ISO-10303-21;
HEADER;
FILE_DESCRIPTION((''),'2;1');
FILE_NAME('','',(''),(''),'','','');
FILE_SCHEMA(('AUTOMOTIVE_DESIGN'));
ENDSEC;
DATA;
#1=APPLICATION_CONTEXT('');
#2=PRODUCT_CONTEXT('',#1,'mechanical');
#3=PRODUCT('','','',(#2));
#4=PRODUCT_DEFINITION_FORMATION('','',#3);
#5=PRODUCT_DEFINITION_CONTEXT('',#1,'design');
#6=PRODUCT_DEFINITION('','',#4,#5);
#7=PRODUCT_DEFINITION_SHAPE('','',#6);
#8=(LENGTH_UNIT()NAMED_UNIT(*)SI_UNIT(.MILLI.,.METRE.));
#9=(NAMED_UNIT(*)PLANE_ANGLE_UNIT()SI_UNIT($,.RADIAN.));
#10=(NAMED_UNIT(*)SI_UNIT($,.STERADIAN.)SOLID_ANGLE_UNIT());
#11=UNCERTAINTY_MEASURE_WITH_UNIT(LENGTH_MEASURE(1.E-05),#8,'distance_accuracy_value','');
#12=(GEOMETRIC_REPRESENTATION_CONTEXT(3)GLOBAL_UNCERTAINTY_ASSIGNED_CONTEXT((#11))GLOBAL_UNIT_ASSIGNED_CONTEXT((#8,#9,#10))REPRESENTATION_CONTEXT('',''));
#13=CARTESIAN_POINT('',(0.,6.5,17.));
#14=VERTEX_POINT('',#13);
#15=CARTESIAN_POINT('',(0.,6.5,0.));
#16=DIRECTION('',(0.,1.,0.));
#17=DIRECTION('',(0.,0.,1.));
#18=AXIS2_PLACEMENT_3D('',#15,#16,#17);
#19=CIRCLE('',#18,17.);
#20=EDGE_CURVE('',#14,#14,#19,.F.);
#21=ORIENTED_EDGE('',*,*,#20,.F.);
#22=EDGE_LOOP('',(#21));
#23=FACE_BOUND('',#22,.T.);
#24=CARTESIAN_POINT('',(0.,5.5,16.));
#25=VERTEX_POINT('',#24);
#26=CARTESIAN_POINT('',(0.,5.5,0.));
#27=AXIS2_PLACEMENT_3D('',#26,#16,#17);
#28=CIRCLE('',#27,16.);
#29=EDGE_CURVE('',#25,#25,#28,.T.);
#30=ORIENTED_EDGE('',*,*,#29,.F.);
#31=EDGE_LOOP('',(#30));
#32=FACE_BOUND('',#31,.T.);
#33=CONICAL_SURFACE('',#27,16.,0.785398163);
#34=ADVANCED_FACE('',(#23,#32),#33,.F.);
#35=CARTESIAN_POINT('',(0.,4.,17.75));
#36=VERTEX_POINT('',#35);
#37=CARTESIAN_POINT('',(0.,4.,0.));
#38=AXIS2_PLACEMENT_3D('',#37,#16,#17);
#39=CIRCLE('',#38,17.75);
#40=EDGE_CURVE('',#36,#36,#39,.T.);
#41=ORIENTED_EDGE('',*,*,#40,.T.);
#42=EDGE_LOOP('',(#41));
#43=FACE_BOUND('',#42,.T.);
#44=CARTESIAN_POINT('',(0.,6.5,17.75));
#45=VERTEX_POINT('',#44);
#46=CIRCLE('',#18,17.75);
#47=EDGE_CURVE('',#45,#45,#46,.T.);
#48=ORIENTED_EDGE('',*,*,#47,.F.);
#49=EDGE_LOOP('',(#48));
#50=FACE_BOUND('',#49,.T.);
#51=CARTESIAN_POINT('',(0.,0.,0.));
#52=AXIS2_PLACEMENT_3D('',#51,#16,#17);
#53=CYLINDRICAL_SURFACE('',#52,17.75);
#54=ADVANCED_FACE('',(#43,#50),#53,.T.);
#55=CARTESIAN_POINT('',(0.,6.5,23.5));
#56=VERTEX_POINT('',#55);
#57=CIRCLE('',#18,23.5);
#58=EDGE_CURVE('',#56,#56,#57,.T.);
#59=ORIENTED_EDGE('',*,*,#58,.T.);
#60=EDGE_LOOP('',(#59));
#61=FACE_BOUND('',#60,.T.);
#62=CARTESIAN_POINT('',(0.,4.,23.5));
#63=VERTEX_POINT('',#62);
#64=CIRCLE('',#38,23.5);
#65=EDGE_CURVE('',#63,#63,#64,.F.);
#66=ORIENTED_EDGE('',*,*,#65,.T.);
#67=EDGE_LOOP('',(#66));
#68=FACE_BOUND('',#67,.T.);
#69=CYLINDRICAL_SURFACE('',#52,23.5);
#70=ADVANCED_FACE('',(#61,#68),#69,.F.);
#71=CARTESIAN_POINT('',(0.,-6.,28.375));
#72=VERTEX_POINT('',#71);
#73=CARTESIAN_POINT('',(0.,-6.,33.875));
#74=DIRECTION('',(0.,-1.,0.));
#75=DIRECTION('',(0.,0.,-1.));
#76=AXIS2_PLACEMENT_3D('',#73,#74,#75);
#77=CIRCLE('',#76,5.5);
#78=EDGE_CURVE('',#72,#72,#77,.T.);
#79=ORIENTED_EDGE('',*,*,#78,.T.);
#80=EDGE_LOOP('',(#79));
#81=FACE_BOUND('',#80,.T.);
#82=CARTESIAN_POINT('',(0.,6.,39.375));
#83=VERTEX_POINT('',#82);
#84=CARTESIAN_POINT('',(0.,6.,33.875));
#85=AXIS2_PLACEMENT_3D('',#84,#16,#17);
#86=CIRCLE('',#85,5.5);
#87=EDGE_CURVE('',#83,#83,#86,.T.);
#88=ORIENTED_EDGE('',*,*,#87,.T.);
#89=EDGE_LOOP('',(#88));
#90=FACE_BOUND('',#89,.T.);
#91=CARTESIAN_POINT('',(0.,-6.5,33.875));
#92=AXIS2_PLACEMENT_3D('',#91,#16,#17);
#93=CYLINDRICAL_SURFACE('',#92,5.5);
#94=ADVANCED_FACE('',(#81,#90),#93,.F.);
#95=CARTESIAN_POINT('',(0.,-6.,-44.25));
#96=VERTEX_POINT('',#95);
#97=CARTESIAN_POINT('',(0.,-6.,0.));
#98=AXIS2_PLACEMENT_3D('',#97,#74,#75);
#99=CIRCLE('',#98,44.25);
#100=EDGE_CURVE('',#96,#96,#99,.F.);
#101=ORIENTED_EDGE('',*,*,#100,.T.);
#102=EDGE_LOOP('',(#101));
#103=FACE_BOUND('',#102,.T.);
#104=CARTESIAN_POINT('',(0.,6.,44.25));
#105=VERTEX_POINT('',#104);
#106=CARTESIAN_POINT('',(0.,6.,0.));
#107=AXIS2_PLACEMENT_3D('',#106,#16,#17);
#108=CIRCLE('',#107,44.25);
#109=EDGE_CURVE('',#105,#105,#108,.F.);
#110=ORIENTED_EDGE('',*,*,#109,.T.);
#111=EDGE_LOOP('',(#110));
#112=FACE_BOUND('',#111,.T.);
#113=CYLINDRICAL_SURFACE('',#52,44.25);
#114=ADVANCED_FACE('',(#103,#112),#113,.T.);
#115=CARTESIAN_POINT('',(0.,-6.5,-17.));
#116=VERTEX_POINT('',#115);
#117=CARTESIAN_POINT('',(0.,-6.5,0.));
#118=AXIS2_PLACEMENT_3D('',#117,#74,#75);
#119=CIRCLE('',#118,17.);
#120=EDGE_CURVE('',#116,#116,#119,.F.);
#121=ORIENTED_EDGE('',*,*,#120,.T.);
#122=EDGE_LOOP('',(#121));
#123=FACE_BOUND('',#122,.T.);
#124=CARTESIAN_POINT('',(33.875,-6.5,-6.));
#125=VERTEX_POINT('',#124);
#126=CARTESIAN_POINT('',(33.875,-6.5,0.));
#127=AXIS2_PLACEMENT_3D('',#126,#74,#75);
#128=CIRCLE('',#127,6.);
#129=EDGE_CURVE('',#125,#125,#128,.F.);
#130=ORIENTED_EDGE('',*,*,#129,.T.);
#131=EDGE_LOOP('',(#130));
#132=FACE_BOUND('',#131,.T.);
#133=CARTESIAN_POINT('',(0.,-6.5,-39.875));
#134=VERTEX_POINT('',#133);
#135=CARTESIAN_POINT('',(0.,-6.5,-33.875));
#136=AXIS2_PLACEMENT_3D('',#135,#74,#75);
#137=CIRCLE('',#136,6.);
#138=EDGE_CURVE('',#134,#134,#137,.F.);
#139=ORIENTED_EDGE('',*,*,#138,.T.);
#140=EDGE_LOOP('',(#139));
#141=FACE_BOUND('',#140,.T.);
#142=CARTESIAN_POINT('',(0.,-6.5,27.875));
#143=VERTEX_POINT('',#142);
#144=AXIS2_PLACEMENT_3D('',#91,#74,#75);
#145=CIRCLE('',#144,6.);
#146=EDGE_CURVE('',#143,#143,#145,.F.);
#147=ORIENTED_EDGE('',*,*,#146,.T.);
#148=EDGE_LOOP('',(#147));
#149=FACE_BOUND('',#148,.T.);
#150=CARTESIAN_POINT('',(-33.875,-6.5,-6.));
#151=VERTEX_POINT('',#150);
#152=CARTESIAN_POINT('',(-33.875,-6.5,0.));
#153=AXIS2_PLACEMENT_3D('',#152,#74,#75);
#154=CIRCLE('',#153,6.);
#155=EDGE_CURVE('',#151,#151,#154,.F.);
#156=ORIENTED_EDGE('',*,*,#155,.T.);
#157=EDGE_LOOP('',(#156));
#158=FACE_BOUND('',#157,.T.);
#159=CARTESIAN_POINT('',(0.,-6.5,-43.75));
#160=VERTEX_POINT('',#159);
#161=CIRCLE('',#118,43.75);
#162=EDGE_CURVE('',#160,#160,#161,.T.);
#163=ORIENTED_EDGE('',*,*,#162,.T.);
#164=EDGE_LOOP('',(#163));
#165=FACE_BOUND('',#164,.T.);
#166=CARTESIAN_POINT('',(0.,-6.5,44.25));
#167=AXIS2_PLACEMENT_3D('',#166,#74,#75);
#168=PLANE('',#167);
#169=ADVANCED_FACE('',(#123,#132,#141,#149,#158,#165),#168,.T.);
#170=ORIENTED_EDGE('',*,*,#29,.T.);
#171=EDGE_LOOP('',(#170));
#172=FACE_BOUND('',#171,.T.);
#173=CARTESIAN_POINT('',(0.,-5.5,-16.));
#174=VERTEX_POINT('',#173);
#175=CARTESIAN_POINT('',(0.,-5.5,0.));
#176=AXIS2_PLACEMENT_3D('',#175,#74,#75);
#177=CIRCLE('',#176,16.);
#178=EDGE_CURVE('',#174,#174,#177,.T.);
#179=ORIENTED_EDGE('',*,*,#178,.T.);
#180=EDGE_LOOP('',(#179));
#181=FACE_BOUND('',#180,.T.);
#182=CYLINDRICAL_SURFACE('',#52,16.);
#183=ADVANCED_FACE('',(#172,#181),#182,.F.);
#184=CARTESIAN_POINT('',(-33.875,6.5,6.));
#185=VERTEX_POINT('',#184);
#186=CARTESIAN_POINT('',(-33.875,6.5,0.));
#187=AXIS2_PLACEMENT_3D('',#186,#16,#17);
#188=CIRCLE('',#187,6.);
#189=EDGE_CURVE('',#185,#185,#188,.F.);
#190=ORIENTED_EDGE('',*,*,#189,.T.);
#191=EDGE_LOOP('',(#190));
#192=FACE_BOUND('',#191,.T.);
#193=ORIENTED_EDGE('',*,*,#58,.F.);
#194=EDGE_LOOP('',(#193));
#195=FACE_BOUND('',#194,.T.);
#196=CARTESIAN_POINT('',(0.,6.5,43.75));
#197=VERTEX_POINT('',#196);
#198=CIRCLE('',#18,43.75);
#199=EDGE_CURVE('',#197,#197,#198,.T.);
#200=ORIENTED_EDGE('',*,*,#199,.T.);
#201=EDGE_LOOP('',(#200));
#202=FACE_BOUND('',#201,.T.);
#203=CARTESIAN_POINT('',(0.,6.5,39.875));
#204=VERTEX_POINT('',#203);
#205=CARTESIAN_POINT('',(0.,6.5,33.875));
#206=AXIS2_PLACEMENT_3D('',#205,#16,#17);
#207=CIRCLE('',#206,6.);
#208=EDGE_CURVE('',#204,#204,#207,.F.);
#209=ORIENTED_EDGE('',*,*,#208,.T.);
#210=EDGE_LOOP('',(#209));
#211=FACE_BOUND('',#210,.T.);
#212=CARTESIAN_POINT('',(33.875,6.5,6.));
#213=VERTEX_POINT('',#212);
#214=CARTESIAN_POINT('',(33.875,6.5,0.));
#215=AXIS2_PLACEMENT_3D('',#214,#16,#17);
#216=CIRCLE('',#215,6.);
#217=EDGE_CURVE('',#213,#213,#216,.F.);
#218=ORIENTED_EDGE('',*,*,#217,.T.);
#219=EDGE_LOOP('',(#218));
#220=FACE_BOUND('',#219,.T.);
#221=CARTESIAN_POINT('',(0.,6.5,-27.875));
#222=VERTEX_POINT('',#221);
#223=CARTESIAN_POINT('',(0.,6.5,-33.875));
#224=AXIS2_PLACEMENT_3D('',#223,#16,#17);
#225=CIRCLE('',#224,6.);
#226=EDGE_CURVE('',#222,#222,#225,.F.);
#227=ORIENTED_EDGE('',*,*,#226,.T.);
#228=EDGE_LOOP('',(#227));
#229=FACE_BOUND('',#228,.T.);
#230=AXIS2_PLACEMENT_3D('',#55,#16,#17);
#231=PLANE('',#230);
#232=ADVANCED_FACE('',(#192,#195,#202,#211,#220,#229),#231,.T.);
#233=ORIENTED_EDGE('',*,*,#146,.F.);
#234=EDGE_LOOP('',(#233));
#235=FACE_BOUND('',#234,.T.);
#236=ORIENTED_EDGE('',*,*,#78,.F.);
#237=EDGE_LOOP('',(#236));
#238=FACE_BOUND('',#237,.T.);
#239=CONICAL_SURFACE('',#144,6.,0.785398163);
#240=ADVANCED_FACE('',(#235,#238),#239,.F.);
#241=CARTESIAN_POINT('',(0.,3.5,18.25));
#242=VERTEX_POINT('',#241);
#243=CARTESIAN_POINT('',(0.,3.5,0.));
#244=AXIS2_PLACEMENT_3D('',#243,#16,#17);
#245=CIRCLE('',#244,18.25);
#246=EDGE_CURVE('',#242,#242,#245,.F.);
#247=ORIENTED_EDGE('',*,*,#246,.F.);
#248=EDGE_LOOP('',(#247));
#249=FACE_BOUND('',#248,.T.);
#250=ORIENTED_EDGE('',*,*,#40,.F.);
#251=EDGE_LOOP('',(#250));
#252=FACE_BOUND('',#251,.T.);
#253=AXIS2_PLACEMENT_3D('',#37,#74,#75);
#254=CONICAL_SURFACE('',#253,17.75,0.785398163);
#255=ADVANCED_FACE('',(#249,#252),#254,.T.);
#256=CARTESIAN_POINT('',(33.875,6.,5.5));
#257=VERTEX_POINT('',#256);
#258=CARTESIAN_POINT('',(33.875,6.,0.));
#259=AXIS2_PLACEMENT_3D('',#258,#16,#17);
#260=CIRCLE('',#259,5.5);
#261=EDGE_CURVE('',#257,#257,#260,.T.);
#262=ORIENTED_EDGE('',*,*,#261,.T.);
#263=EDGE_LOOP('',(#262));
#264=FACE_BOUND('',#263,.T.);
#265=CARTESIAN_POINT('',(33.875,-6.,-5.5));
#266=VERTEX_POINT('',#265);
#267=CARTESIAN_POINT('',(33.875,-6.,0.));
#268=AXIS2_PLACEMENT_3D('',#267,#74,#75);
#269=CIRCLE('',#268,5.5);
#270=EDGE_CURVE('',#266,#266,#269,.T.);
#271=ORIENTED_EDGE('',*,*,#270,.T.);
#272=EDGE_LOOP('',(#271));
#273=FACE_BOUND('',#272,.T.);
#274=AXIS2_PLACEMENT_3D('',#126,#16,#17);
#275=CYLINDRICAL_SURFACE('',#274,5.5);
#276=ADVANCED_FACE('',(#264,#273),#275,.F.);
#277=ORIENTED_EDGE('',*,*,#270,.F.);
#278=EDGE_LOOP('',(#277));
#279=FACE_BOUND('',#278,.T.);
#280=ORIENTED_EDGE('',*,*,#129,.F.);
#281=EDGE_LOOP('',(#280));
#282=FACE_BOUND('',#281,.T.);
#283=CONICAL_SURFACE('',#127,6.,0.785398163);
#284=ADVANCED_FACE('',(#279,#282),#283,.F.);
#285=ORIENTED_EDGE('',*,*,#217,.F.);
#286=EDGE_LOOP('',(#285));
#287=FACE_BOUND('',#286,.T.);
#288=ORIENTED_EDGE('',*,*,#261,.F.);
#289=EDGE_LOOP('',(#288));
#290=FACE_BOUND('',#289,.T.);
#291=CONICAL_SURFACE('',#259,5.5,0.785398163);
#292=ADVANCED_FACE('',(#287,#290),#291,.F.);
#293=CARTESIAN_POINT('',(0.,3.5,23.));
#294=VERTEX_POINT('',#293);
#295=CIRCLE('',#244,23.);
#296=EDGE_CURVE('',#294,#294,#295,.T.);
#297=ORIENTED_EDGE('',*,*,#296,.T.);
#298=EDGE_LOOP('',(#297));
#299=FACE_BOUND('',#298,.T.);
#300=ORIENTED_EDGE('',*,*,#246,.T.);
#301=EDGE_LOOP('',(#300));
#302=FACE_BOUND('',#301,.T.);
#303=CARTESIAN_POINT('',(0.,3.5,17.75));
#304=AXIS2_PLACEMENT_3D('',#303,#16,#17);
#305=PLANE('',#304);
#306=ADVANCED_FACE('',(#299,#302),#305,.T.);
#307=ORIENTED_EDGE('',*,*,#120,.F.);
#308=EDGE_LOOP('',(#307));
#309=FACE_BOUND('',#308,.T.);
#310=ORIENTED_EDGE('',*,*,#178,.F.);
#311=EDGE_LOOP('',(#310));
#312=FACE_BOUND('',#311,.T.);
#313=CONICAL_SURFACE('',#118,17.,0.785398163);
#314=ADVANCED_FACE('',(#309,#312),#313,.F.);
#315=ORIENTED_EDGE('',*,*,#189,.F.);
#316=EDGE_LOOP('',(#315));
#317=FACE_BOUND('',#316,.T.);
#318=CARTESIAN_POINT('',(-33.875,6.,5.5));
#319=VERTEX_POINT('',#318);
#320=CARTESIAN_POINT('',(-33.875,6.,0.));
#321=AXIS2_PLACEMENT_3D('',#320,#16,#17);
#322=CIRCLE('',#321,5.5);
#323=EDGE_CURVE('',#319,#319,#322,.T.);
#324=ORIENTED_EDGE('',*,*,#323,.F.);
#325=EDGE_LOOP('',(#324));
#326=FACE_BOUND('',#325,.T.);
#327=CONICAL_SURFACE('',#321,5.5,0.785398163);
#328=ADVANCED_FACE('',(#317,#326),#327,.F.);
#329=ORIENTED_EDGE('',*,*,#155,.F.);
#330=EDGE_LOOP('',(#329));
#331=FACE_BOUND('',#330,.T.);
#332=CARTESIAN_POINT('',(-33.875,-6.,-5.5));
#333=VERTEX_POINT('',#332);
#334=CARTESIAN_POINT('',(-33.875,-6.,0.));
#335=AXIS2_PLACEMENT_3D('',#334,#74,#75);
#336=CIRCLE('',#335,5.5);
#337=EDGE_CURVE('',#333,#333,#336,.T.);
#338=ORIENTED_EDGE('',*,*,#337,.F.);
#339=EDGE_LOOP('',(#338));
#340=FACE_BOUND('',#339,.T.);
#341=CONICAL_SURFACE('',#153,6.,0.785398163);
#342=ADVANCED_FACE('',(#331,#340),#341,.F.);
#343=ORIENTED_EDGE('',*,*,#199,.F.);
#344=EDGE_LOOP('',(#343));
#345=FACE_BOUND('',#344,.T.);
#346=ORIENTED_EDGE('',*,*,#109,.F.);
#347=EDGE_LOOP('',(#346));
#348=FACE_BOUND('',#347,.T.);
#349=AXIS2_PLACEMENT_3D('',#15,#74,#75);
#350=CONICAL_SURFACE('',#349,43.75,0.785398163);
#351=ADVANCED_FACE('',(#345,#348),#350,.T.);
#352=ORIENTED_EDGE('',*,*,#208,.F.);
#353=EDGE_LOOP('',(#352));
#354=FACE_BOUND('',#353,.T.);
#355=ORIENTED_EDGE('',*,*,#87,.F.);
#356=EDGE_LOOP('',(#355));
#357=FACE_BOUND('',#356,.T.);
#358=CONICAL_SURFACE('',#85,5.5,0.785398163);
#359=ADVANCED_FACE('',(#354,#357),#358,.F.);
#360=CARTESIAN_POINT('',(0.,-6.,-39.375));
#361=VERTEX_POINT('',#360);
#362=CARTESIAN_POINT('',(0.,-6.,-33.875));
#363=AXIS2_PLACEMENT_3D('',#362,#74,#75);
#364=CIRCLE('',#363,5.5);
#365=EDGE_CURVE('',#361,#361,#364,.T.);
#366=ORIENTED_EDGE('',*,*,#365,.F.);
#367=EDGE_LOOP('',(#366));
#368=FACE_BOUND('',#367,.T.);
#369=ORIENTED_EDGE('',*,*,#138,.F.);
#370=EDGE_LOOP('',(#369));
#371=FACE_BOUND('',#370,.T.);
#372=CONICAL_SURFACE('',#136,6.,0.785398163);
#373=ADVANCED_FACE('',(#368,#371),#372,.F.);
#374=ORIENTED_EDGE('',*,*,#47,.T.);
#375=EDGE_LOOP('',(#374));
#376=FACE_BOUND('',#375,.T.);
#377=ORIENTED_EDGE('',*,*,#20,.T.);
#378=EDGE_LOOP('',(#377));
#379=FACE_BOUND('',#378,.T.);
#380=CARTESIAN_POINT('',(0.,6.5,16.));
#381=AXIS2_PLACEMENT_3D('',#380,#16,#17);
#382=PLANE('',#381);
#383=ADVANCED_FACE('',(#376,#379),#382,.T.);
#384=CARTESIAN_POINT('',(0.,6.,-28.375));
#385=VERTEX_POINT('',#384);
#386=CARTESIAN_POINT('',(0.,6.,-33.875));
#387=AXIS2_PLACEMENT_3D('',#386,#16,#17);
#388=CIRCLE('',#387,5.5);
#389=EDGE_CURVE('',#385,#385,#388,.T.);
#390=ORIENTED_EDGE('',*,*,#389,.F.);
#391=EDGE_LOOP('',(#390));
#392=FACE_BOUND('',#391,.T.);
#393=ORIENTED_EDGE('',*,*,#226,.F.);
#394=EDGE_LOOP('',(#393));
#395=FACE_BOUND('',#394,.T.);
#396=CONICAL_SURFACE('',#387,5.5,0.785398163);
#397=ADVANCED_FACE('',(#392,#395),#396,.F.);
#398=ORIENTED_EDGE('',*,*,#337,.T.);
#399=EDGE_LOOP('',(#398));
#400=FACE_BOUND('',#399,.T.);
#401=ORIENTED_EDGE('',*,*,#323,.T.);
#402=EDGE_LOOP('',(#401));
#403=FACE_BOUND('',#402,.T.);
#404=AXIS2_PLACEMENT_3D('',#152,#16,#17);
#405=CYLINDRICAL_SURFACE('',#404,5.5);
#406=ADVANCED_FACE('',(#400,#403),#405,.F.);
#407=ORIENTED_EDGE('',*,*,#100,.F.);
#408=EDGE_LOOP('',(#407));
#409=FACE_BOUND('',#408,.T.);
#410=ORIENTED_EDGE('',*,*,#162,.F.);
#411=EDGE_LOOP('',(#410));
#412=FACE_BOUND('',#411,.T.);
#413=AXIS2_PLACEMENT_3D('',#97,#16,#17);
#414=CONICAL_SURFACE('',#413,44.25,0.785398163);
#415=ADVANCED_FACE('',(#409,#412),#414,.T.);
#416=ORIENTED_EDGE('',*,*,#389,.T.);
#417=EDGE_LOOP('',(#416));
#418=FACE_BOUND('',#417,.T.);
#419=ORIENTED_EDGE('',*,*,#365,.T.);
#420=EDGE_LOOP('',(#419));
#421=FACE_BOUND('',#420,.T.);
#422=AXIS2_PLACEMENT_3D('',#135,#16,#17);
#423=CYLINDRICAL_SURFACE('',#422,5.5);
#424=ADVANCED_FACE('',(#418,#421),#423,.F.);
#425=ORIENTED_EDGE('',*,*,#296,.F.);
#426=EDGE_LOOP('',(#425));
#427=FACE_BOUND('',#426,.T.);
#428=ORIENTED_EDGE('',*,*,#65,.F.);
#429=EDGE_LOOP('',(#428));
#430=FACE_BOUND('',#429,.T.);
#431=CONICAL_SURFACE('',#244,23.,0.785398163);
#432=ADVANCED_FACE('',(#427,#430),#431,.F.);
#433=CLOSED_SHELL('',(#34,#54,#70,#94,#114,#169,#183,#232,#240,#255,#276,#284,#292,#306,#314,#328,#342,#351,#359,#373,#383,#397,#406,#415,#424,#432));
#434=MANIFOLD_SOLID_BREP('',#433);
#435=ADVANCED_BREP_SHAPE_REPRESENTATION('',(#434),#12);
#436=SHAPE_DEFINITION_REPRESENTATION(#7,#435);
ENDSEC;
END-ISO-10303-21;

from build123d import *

# Parameters (mm, degrees)
CORTAR_EXTRUIR1_DEPTH      = 63.915618093
CORTAR_EXTRUIR1_DEPTH_BACK = 63.915618093
CROQUIS2_R                 = 5.5
CHAFL_N1_SIZE              = 1
CHAFL_N2_SIZE              = 0.5


with BuildPart() as part:
    # Croquis1 → Revolución1 (revolve)
    with BuildSketch(Plane(origin=(0, 0, 0), x_dir=(0, 0, -1), z_dir=(1, 0, 0))):
        Polygon((-16, -6.5), (-16, 6.5), (-17.75, 6.5), (-17.75, 3.5), (-23.5, 3.5), (-23.5, 6.5), (-44.25, 6.5), (-44.25, -6.5), align=None)
    revolve(axis=Axis((0, 0, 0), (0, -1, 0)))

    # Croquis2 → Cortar-Extruir1 (cut, two sides: drawn at the far end of the back side and taken through both)
    with BuildSketch(Plane(origin=(0, 0, 0), x_dir=(1, 0, 0), z_dir=(0, 1, 0)).offset(-CORTAR_EXTRUIR1_DEPTH_BACK)):
        with Locations(Location((0, 33.875, 0), (0, 0, 270))):
            Circle(CROQUIS2_R)
        with Locations(Location((33.875, 0, 0), (0, 0, 270))):
            Circle(CROQUIS2_R)
        with Locations(Location((0, -33.875, 0), (0, 0, 270))):
            Circle(CROQUIS2_R)
        with Locations(Location((-33.875, 0, 0), (0, 0, 270))):
            Circle(CROQUIS2_R)
    extrude(amount=CORTAR_EXTRUIR1_DEPTH + CORTAR_EXTRUIR1_DEPTH_BACK, mode=Mode.SUBTRACT)

    # Chaflán1
    chafl_n1_edges = [part.edges().sort_by_distance(p)[0] for p in [
        (0, 6.5, -16),
        (0, -6.5, -16),
    ]]
    chamfer(chafl_n1_edges, length=CHAFL_N1_SIZE)

    # Chaflán2
    chafl_n2_edges = [part.edges().sort_by_distance(p)[0] for p in [
        (0, -6.5, -39.375),
        (0, 6.5, -39.375),
        (33.875, -6.5, -5.5),
        (33.875, 6.5, -5.5),
        (0, -6.5, 28.375),
        (0, 6.5, 28.375),
        (-33.875, -6.5, -5.5),
        (-33.875, 6.5, -5.5),
        (0, -6.5, -44.25),
        (0, 6.5, -44.25),
        (0, 3.5, -23.5),
        (0, 3.5, -17.75),
    ]]
    chamfer(chafl_n2_edges, length=CHAFL_N2_SIZE)


solid = part.part
